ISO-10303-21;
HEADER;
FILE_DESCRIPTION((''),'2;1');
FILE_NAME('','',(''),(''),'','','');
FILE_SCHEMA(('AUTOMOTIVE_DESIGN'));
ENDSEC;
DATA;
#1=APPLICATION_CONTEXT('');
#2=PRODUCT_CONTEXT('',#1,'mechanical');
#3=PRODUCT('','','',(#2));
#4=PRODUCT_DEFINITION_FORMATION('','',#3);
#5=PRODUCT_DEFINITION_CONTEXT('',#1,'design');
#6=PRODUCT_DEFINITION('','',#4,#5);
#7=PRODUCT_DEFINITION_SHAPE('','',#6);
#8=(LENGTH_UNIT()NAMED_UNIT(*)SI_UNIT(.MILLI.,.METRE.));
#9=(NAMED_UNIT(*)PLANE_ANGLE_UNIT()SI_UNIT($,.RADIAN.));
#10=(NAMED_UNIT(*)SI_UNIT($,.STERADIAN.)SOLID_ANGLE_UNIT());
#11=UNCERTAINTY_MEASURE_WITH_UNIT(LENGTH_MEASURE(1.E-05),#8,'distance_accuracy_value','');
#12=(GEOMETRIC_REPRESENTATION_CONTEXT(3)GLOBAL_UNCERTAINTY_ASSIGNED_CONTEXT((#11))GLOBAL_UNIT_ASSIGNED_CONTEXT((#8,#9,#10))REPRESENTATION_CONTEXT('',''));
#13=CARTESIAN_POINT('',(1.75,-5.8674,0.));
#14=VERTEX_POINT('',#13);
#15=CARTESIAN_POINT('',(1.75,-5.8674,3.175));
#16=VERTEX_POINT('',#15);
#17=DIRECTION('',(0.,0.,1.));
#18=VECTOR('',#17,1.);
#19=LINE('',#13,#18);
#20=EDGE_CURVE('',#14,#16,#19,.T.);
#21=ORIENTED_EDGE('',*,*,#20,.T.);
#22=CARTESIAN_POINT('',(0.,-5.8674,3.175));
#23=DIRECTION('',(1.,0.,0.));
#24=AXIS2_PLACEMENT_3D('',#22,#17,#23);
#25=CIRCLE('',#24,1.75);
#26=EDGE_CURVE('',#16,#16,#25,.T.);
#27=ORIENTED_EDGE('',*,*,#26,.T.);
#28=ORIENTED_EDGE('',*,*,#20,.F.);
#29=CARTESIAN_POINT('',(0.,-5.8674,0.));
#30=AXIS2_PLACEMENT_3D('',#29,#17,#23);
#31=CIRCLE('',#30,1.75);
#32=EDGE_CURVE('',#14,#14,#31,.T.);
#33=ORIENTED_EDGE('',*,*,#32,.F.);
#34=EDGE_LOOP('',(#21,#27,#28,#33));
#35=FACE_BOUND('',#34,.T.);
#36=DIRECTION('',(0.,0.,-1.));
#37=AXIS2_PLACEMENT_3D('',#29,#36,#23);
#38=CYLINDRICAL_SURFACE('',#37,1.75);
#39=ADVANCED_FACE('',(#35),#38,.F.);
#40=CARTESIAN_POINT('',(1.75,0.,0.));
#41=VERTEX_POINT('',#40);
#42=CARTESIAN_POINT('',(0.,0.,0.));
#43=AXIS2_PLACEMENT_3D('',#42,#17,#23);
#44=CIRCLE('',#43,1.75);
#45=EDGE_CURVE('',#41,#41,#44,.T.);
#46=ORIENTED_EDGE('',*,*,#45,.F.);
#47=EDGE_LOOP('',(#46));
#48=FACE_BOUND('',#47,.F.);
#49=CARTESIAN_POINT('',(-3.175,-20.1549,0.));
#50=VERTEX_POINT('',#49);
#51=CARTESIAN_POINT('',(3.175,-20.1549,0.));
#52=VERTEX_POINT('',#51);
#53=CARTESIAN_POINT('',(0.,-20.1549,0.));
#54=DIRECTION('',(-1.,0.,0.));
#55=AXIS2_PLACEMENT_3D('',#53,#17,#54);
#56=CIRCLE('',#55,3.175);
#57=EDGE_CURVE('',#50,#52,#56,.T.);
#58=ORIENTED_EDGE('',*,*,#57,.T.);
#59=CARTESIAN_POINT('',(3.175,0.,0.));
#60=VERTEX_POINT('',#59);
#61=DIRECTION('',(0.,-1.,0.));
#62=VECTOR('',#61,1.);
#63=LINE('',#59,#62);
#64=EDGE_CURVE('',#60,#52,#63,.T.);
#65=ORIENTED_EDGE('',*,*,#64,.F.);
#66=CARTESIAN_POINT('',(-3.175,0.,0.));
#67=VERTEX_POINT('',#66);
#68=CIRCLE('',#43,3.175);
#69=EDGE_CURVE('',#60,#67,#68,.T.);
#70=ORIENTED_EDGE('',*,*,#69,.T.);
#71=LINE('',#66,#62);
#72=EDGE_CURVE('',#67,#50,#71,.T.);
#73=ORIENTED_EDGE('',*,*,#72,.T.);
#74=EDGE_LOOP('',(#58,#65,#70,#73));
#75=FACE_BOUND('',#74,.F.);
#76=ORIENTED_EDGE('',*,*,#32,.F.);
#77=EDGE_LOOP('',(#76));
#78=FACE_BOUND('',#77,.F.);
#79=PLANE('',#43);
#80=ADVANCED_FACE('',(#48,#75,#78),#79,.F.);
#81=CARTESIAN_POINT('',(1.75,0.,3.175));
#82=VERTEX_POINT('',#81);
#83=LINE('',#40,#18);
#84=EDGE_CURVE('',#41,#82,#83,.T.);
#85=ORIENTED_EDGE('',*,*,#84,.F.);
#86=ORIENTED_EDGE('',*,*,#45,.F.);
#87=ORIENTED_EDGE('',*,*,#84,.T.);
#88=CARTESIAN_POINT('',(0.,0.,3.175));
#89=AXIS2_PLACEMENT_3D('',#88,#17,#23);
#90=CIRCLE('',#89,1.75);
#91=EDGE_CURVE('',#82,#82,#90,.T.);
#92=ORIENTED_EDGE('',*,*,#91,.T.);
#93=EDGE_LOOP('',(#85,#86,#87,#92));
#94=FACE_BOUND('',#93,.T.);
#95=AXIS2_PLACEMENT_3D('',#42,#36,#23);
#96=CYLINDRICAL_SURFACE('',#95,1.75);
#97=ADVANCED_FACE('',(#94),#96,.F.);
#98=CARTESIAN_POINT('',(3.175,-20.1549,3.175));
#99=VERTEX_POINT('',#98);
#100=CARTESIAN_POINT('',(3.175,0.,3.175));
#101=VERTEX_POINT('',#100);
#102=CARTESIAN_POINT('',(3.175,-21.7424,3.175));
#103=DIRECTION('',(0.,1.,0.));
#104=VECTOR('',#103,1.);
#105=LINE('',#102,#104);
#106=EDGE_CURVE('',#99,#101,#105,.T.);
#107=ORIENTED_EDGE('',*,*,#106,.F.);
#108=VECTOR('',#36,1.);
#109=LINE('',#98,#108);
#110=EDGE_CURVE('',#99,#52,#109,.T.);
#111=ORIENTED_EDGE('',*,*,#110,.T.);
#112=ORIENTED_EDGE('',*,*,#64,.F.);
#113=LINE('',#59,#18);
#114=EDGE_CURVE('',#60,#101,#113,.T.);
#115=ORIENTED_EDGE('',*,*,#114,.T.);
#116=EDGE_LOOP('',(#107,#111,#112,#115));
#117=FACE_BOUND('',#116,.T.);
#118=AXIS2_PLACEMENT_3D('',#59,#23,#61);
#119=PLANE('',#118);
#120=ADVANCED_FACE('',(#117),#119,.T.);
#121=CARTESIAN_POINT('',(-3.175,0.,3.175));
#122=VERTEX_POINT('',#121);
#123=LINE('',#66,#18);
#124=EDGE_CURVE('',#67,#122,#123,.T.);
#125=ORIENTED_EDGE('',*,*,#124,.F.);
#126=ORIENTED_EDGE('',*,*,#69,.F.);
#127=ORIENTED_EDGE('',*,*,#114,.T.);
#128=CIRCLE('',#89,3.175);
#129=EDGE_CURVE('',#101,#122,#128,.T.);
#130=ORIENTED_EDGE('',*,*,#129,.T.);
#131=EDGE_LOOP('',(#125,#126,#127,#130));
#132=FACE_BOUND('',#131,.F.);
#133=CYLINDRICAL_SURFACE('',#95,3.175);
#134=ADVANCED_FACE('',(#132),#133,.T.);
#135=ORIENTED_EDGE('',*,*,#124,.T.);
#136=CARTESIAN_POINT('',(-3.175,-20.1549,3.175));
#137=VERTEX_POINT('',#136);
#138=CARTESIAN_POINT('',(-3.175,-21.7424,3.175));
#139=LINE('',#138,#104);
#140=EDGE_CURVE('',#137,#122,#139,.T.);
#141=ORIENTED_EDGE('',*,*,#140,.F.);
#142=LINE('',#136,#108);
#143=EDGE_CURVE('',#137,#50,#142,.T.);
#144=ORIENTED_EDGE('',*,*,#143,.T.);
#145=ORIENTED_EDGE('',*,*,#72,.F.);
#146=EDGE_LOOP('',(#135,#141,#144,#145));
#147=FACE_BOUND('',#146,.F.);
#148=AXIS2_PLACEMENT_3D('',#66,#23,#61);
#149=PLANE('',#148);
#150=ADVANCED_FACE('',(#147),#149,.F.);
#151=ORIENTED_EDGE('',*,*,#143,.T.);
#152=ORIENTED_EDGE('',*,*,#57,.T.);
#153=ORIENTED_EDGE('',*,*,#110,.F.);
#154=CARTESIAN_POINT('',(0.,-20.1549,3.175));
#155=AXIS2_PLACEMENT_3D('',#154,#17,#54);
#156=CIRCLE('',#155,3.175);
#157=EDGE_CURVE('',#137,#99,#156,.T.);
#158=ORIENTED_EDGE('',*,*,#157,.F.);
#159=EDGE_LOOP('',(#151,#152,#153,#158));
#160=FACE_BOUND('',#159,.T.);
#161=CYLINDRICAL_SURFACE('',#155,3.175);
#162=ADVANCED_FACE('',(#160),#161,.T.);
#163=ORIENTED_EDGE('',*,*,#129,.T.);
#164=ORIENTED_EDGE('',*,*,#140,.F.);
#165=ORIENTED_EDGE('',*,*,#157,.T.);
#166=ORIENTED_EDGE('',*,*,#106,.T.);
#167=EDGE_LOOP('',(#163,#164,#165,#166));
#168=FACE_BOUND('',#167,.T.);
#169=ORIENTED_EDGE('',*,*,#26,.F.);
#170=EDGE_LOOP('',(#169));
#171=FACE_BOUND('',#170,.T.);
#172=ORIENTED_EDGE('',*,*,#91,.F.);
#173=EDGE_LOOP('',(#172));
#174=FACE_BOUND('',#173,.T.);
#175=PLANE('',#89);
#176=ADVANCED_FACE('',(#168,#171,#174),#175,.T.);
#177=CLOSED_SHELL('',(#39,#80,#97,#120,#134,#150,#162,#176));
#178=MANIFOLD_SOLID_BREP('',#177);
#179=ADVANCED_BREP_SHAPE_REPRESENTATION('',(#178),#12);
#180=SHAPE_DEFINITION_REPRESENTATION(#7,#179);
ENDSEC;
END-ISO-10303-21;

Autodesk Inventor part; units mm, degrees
ref_plane "YZ Plane" through (0, 0, 0) normal (1, 0, 0) x (0, 1, 0)
ref_plane "XZ Plane" through (0, 0, 0) normal (0, 1, 0) x (-1, 0, 0)
ref_plane "XY Plane" through (0, 0, 0) normal (0, 0, 1) x (1, 0, 0)
sketch "Sketch1" plane through (0, 0, 0) normal (0, 0, 1) x (1, 0, 0)
  circle A0 centre (0, 0) radius 1.75
  circle A1 centre (0, -5.8674) radius 1.75
  arc A2 (-3.175, -15.3924) -> (3.175, -15.3924) centre (0, -15.3924) ccw
  arc A3 (3.175, 0) -> (-3.175, 0) centre (0, 0) ccw
  line L0 (-3.175, 0) -> (-3.175, -15.3924)
  line L1 (3.175, 0) -> (3.175, -15.3924)
  dimension "d0" = 3.5
  dimension "d3" = 3.5
extrude "Extrusion1" add sketch "Sketch1" along normal blind 3.175
sketch "Sketch2" plane through (0, 0, 3.175) normal (0, 0, 1) x (1, 0, 0)
  arc A0 (-3.175, -15.3924) -> (3.175, -15.3924) centre (0, -15.3924) ccw projected
  arc A1 (-3.175, -21.7424) -> (3.175, -21.7424) centre (0, -21.7424) ccw
  line L0 (-3.175, 0) -> (-3.175, -15.3924) projected
  line L1 (-3.175, -21.7424) -> (-3.175, -15.3924)
  line L2 (3.175, -15.3924) -> (3.175, -21.7424)
  arc A2 (-3.175, -15.3924) -> (3.175, -15.3924) centre (0, -15.3924) ccw
  point P0 (0, 0)
  dimension "d10" = 6.35
extrude "Extrusion2" add sketch "Sketch2" against normal blind 3.175
sketch "Sketch7" plane through (0, 0, 3.175) normal (0, 0, 1) x (1, 0, 0)
  arc A0 (-3.175, -21.7424) -> (3.175, -21.7424) centre (0, -21.7424) ccw projected
  arc A1 (-3.175, -20.1549) -> (3.175, -20.1549) centre (0, -20.1549) ccw
  line L0 (3.175, -21.7424) -> (3.175, 0) projected
  line L1 (-3.175, 0) -> (-3.175, -21.7424) projected
  line L2 (-3.175, -21.7424) -> (-3.175, -20.1549)
  line L3 (3.175, -21.7424) -> (3.175, -20.1549)
  arc A2 (-3.175, -21.7424) -> (3.175, -21.7424) centre (0, -21.7424) ccw
  point P0 (0, 0)
extrude "Extrusion8" cut sketch "Sketch7" against normal blind 3.175
properties part number "Brake"
